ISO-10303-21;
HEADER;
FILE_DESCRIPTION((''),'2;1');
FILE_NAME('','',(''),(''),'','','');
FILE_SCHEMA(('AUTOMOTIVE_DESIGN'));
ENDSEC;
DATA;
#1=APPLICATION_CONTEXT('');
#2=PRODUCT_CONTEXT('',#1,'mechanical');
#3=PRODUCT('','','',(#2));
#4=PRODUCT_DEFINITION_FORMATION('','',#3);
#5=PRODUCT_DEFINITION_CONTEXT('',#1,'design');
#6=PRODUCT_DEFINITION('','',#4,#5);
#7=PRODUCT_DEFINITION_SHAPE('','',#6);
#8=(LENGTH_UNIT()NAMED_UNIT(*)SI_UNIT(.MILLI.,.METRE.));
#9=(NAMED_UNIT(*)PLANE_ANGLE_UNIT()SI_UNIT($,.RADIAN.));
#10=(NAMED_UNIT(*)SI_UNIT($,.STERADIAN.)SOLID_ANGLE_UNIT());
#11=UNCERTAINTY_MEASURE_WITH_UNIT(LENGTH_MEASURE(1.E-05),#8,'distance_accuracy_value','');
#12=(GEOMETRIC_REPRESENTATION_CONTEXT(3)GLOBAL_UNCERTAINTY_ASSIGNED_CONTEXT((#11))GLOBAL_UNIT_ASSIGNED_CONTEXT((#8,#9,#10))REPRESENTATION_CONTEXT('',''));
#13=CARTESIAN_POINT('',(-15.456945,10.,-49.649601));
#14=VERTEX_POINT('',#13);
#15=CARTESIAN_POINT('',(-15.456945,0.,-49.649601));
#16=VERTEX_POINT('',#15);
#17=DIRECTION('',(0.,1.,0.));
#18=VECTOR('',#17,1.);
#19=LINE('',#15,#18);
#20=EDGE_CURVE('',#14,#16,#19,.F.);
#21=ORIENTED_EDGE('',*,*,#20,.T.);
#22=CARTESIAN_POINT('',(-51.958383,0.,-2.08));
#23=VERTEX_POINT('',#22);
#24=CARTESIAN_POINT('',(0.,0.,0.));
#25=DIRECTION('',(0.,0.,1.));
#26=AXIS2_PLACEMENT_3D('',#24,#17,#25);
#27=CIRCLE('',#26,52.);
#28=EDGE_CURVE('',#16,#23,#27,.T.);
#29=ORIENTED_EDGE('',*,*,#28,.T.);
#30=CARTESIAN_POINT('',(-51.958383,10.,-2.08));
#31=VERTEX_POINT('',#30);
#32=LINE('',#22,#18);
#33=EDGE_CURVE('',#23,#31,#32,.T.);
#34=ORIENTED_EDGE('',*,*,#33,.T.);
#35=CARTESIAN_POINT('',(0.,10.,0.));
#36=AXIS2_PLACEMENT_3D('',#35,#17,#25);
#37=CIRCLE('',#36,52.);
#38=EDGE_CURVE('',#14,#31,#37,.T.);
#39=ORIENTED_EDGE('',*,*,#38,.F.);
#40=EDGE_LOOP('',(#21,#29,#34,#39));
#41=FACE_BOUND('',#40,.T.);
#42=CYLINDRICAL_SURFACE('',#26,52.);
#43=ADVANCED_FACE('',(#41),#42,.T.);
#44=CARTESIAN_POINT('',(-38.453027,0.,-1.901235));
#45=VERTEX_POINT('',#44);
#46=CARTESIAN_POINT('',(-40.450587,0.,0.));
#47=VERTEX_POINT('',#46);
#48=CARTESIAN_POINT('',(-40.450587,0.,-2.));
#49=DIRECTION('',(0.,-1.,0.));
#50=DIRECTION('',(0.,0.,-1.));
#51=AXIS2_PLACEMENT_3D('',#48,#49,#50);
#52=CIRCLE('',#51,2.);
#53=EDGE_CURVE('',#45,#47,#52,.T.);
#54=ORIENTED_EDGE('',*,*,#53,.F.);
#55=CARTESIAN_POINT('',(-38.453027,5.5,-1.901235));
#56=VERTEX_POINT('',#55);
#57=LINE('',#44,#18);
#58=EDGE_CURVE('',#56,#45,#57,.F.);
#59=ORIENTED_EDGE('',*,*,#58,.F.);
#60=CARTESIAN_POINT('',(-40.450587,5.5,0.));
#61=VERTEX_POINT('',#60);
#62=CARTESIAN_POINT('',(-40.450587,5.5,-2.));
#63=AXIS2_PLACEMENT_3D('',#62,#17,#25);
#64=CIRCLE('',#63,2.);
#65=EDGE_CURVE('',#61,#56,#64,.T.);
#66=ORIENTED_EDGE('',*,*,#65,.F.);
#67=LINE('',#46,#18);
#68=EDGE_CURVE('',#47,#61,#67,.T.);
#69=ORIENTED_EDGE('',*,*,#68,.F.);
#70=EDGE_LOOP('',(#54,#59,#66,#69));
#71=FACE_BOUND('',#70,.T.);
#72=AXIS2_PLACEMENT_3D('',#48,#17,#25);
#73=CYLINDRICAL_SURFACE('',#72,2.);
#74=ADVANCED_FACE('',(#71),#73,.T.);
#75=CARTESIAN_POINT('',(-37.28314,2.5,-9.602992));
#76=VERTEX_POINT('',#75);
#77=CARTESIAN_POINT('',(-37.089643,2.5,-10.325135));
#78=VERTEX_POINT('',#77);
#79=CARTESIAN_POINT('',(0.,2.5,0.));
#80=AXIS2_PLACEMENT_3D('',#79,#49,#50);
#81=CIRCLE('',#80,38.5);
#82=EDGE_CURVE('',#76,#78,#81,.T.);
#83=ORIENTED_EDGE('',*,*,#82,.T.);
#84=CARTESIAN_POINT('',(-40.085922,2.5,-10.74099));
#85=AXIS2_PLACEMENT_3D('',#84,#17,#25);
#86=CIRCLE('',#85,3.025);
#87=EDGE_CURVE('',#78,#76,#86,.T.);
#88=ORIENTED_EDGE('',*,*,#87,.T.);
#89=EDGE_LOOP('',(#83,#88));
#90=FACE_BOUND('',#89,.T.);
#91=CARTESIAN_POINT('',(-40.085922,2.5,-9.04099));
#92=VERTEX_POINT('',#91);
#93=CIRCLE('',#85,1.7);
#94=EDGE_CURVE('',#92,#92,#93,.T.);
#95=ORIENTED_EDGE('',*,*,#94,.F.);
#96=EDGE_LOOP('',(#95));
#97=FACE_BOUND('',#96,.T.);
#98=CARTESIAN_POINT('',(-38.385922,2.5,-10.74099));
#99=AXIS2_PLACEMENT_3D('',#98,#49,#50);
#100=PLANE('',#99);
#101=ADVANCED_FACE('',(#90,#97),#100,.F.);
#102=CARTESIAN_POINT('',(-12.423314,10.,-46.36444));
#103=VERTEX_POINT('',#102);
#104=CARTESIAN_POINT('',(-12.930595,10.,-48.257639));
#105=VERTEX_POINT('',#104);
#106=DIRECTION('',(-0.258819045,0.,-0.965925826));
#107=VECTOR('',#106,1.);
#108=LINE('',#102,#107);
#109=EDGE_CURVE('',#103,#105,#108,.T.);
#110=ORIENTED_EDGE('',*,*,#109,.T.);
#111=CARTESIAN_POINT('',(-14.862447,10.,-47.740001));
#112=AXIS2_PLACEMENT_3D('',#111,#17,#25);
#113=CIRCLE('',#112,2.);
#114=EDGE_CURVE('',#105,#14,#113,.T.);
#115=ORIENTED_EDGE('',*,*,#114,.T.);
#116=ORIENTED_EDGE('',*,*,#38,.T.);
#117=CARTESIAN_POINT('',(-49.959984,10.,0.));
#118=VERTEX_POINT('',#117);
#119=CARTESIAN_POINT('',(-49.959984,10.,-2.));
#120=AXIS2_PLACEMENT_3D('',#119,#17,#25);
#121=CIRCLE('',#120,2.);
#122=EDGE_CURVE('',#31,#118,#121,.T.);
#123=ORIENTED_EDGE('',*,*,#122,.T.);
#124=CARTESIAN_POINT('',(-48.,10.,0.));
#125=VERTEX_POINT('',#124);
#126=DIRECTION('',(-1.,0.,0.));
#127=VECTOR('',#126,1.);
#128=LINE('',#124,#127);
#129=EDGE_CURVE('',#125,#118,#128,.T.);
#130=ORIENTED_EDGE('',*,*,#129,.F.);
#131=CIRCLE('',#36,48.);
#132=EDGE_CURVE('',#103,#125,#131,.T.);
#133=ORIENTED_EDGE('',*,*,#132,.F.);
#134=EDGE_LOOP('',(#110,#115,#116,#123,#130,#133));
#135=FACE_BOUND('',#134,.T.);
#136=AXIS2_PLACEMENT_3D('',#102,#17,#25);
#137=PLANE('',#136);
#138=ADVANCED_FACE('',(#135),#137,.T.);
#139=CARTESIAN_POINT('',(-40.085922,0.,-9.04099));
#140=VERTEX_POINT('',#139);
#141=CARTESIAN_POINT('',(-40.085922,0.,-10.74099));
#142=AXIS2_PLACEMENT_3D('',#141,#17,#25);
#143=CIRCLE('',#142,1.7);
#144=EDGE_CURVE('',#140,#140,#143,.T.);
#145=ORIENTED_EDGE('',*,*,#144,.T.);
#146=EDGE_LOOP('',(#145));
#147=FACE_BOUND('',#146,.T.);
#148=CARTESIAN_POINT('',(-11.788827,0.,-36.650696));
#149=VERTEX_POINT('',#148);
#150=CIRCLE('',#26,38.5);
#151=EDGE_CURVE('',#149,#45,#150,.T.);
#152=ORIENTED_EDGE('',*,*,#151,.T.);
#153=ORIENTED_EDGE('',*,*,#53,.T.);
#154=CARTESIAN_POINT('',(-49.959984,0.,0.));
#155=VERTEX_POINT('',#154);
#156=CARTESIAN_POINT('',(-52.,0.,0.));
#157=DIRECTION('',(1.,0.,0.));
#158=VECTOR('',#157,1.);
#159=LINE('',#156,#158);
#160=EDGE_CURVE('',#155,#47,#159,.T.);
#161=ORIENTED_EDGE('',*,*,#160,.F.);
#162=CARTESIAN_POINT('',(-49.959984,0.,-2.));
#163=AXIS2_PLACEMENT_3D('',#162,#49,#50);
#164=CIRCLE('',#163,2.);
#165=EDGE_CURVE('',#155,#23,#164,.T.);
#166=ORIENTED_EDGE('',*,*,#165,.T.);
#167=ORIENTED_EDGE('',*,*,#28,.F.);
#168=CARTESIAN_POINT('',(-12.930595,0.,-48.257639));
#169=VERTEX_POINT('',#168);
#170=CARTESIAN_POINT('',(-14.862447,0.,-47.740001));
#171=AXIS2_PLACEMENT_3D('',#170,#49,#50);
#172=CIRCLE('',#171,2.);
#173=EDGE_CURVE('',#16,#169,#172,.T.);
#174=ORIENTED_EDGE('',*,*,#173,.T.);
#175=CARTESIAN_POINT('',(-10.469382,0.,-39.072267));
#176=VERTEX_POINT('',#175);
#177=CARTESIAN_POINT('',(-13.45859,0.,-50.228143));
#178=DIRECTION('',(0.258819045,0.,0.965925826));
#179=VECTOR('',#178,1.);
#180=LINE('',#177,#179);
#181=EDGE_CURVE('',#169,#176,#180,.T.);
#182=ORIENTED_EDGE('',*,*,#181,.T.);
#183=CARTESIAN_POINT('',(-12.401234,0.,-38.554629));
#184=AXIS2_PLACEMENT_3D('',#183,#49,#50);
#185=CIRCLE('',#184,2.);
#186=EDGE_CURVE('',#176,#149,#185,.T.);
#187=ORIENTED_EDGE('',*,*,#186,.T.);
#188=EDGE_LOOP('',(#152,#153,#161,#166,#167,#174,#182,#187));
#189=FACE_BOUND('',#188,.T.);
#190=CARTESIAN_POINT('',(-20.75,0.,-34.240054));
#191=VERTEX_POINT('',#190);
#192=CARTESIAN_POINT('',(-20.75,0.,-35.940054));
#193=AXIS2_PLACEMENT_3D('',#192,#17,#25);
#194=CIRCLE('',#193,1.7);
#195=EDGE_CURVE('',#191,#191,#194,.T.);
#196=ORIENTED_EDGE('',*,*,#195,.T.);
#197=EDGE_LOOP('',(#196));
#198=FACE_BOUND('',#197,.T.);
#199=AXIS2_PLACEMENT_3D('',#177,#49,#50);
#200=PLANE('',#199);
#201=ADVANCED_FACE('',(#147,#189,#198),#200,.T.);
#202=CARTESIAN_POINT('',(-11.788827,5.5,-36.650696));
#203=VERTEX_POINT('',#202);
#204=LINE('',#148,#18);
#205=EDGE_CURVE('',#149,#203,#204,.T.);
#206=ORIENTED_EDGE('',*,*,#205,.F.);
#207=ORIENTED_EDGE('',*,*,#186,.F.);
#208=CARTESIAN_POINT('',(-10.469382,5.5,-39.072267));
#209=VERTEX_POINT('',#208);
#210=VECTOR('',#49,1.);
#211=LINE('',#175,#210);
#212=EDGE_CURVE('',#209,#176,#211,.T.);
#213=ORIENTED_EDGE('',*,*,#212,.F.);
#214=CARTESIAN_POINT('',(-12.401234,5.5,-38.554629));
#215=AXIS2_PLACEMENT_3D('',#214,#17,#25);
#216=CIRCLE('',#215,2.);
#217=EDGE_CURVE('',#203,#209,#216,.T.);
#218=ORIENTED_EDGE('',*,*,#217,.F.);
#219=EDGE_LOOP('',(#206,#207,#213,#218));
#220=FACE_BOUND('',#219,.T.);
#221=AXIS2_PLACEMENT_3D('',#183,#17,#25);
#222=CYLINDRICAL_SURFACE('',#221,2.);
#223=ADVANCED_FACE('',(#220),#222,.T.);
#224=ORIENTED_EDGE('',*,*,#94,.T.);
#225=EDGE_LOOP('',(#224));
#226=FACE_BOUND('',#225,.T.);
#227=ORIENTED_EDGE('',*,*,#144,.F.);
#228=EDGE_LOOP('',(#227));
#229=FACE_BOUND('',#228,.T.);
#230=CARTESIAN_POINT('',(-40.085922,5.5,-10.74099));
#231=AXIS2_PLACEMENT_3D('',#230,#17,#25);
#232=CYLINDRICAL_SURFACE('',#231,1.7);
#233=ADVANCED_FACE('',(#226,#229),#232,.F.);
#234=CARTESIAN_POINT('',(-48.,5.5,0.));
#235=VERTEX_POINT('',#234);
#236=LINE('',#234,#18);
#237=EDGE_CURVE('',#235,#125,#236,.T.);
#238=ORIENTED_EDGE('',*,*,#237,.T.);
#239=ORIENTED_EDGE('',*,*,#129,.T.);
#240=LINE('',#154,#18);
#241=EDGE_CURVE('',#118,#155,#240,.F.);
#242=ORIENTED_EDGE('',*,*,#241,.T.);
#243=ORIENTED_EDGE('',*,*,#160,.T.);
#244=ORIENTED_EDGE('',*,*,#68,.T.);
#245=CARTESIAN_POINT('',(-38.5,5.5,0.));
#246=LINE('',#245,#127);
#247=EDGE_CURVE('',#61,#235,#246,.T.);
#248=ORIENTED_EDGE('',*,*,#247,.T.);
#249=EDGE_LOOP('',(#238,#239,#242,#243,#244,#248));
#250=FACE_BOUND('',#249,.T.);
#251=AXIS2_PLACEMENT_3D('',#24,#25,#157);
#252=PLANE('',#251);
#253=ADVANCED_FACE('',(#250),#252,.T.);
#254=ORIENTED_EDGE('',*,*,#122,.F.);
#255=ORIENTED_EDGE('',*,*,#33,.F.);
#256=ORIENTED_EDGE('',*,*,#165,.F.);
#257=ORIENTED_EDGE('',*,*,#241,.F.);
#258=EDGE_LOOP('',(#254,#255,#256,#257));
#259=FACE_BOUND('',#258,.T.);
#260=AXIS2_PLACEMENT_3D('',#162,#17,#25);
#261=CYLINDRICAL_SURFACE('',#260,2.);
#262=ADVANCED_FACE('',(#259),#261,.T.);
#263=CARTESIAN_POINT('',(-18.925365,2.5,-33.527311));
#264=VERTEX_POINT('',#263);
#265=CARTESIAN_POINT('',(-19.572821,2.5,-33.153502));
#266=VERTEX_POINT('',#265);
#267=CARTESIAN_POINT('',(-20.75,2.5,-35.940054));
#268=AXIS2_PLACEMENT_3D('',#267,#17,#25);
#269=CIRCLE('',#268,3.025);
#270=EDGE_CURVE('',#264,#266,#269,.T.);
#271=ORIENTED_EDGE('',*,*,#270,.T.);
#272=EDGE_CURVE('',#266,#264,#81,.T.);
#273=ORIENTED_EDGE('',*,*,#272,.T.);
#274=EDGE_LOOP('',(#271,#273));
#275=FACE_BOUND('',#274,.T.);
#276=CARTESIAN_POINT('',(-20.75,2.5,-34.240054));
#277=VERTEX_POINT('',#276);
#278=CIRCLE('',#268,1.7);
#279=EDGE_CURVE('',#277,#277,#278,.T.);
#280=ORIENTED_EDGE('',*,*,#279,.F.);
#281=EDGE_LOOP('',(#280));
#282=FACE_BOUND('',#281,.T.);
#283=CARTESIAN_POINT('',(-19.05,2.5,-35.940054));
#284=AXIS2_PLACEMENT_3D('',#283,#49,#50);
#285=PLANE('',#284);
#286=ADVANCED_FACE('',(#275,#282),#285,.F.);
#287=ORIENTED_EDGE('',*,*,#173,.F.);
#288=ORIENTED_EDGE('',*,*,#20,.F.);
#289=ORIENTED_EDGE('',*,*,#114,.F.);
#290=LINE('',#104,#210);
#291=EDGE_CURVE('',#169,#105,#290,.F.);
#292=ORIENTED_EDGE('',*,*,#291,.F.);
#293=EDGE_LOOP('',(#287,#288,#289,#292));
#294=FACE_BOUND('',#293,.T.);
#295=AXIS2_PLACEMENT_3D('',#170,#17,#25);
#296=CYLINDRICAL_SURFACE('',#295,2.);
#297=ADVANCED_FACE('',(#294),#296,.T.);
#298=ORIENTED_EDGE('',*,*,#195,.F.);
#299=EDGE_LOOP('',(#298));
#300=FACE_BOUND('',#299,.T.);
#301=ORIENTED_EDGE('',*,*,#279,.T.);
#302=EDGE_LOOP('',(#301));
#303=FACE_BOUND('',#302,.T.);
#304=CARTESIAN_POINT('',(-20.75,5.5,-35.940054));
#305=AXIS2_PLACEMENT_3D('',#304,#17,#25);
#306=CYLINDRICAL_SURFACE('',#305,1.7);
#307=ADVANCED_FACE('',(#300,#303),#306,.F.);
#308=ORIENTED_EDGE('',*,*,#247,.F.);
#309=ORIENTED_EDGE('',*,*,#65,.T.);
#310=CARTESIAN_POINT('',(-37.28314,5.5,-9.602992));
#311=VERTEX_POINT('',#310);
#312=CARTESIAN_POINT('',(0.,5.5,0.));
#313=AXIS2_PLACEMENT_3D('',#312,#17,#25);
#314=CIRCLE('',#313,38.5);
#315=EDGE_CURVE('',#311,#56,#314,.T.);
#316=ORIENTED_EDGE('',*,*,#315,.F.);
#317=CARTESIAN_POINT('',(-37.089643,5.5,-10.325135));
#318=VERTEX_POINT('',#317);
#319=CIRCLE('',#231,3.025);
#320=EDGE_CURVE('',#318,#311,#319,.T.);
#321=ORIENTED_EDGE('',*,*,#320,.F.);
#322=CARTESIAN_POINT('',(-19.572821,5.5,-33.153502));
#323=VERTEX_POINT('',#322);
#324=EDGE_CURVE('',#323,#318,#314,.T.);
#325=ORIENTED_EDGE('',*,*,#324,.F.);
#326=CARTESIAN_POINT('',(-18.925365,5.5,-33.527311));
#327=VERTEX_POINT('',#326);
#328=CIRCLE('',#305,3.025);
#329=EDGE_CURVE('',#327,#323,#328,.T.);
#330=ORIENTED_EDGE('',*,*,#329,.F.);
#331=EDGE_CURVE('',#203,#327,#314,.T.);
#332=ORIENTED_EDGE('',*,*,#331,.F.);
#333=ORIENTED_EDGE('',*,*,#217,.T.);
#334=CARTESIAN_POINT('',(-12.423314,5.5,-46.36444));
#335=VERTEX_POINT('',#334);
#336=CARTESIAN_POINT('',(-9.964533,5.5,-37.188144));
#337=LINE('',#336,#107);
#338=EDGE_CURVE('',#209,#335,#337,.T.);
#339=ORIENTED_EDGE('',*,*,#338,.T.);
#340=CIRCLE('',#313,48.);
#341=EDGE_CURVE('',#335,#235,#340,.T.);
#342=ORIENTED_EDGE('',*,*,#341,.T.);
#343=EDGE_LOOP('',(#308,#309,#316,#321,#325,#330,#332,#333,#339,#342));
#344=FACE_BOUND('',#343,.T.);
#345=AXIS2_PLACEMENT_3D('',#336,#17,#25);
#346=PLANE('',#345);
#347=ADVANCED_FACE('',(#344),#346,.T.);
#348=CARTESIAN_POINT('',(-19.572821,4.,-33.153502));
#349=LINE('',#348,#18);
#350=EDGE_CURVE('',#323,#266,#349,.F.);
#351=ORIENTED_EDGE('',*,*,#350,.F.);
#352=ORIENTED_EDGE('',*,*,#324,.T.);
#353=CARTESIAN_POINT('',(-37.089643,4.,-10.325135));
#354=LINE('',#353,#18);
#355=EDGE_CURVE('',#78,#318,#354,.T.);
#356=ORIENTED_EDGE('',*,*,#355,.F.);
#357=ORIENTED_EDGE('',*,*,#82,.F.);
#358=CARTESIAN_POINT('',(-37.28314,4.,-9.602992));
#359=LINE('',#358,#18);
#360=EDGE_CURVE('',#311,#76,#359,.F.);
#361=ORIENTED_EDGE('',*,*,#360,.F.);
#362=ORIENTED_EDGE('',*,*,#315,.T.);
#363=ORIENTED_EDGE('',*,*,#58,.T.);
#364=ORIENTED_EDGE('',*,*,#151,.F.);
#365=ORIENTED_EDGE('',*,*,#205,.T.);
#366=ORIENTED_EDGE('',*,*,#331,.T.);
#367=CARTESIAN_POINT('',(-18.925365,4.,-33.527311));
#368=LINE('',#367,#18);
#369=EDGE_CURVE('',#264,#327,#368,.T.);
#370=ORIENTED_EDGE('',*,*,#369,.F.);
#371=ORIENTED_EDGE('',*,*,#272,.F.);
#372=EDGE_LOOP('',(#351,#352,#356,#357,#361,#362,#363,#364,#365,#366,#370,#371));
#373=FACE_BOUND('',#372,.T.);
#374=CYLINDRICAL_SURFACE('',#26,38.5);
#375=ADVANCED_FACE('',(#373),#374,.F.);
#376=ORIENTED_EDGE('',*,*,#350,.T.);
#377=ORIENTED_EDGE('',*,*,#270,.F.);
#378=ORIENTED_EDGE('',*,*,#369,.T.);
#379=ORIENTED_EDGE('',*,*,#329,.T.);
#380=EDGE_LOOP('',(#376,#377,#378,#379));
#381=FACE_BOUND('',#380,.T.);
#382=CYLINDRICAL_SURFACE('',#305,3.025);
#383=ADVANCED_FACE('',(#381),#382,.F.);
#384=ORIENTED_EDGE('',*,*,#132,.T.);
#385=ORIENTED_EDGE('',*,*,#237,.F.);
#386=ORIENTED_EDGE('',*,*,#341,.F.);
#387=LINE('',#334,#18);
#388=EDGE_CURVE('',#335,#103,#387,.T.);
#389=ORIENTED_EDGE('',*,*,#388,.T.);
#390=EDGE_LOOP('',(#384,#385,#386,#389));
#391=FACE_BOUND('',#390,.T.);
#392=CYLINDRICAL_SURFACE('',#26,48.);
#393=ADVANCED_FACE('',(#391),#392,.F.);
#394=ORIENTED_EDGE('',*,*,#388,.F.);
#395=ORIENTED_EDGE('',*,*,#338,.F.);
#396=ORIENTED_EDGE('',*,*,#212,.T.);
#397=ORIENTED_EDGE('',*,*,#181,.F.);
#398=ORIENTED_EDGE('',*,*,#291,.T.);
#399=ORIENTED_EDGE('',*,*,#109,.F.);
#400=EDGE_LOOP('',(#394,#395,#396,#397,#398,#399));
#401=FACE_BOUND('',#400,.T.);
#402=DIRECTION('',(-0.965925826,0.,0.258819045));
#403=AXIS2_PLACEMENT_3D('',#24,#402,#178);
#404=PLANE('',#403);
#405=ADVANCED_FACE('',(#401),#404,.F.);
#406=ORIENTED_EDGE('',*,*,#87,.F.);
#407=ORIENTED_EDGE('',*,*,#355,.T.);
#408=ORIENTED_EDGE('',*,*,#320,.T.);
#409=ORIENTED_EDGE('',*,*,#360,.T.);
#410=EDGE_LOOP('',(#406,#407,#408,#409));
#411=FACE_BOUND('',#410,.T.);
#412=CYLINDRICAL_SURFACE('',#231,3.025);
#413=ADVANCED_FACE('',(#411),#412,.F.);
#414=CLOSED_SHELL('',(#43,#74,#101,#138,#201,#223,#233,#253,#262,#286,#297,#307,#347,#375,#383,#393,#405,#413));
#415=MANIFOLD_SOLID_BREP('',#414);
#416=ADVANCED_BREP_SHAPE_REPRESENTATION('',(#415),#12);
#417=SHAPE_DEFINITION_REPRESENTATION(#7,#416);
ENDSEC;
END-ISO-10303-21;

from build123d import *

# Parameters (mm, degrees)
REVOLVE_1_ANGLE             = 75
HOLE_WIZARD_M31_D           = 3.4
HOLE_WIZARD_M31_CBORE_D     = 6.05
HOLE_WIZARD_M31_CBORE_DEPTH = 3
FILLET_1_R                  = 2


with BuildPart() as part:
    # Эскиз1 → Повернуть1 (revolve)
    with BuildSketch(Plane.XY):
        Polygon((-52, 0), (-38.5, 0), (-38.5, 5.5), (-48, 5.5), (-48, 10), (-52, 10), align=None)
    revolve(axis=Axis((0, 0, 0), (0, -1, 0)), revolution_arc=REVOLVE_1_ANGLE)

    # Цековка для винта с заклепочной головкой M31 (through all)
    with Locations(Plane(origin=(0, 5.5, 0), x_dir=(1, 0, 0), z_dir=(0, 1, 0))):
        with Locations((-20.75, 35.940054257), (-40.085921791, 10.740990372)):
            CounterBoreHole(HOLE_WIZARD_M31_D / 2, HOLE_WIZARD_M31_CBORE_D / 2, HOLE_WIZARD_M31_CBORE_DEPTH)

    # Скругление1
    fillet_1_edges = [part.edges().sort_by_distance(p)[0] for p in [
        (-9.964533236, 2.75, -37.188144312),
        (-13.458590345, 5, -50.228142967),
        (-52, 5, 0),
        (-38.5, 2.75, 0),
    ]]
    fillet(fillet_1_edges, radius=FILLET_1_R)


solid = part.part
